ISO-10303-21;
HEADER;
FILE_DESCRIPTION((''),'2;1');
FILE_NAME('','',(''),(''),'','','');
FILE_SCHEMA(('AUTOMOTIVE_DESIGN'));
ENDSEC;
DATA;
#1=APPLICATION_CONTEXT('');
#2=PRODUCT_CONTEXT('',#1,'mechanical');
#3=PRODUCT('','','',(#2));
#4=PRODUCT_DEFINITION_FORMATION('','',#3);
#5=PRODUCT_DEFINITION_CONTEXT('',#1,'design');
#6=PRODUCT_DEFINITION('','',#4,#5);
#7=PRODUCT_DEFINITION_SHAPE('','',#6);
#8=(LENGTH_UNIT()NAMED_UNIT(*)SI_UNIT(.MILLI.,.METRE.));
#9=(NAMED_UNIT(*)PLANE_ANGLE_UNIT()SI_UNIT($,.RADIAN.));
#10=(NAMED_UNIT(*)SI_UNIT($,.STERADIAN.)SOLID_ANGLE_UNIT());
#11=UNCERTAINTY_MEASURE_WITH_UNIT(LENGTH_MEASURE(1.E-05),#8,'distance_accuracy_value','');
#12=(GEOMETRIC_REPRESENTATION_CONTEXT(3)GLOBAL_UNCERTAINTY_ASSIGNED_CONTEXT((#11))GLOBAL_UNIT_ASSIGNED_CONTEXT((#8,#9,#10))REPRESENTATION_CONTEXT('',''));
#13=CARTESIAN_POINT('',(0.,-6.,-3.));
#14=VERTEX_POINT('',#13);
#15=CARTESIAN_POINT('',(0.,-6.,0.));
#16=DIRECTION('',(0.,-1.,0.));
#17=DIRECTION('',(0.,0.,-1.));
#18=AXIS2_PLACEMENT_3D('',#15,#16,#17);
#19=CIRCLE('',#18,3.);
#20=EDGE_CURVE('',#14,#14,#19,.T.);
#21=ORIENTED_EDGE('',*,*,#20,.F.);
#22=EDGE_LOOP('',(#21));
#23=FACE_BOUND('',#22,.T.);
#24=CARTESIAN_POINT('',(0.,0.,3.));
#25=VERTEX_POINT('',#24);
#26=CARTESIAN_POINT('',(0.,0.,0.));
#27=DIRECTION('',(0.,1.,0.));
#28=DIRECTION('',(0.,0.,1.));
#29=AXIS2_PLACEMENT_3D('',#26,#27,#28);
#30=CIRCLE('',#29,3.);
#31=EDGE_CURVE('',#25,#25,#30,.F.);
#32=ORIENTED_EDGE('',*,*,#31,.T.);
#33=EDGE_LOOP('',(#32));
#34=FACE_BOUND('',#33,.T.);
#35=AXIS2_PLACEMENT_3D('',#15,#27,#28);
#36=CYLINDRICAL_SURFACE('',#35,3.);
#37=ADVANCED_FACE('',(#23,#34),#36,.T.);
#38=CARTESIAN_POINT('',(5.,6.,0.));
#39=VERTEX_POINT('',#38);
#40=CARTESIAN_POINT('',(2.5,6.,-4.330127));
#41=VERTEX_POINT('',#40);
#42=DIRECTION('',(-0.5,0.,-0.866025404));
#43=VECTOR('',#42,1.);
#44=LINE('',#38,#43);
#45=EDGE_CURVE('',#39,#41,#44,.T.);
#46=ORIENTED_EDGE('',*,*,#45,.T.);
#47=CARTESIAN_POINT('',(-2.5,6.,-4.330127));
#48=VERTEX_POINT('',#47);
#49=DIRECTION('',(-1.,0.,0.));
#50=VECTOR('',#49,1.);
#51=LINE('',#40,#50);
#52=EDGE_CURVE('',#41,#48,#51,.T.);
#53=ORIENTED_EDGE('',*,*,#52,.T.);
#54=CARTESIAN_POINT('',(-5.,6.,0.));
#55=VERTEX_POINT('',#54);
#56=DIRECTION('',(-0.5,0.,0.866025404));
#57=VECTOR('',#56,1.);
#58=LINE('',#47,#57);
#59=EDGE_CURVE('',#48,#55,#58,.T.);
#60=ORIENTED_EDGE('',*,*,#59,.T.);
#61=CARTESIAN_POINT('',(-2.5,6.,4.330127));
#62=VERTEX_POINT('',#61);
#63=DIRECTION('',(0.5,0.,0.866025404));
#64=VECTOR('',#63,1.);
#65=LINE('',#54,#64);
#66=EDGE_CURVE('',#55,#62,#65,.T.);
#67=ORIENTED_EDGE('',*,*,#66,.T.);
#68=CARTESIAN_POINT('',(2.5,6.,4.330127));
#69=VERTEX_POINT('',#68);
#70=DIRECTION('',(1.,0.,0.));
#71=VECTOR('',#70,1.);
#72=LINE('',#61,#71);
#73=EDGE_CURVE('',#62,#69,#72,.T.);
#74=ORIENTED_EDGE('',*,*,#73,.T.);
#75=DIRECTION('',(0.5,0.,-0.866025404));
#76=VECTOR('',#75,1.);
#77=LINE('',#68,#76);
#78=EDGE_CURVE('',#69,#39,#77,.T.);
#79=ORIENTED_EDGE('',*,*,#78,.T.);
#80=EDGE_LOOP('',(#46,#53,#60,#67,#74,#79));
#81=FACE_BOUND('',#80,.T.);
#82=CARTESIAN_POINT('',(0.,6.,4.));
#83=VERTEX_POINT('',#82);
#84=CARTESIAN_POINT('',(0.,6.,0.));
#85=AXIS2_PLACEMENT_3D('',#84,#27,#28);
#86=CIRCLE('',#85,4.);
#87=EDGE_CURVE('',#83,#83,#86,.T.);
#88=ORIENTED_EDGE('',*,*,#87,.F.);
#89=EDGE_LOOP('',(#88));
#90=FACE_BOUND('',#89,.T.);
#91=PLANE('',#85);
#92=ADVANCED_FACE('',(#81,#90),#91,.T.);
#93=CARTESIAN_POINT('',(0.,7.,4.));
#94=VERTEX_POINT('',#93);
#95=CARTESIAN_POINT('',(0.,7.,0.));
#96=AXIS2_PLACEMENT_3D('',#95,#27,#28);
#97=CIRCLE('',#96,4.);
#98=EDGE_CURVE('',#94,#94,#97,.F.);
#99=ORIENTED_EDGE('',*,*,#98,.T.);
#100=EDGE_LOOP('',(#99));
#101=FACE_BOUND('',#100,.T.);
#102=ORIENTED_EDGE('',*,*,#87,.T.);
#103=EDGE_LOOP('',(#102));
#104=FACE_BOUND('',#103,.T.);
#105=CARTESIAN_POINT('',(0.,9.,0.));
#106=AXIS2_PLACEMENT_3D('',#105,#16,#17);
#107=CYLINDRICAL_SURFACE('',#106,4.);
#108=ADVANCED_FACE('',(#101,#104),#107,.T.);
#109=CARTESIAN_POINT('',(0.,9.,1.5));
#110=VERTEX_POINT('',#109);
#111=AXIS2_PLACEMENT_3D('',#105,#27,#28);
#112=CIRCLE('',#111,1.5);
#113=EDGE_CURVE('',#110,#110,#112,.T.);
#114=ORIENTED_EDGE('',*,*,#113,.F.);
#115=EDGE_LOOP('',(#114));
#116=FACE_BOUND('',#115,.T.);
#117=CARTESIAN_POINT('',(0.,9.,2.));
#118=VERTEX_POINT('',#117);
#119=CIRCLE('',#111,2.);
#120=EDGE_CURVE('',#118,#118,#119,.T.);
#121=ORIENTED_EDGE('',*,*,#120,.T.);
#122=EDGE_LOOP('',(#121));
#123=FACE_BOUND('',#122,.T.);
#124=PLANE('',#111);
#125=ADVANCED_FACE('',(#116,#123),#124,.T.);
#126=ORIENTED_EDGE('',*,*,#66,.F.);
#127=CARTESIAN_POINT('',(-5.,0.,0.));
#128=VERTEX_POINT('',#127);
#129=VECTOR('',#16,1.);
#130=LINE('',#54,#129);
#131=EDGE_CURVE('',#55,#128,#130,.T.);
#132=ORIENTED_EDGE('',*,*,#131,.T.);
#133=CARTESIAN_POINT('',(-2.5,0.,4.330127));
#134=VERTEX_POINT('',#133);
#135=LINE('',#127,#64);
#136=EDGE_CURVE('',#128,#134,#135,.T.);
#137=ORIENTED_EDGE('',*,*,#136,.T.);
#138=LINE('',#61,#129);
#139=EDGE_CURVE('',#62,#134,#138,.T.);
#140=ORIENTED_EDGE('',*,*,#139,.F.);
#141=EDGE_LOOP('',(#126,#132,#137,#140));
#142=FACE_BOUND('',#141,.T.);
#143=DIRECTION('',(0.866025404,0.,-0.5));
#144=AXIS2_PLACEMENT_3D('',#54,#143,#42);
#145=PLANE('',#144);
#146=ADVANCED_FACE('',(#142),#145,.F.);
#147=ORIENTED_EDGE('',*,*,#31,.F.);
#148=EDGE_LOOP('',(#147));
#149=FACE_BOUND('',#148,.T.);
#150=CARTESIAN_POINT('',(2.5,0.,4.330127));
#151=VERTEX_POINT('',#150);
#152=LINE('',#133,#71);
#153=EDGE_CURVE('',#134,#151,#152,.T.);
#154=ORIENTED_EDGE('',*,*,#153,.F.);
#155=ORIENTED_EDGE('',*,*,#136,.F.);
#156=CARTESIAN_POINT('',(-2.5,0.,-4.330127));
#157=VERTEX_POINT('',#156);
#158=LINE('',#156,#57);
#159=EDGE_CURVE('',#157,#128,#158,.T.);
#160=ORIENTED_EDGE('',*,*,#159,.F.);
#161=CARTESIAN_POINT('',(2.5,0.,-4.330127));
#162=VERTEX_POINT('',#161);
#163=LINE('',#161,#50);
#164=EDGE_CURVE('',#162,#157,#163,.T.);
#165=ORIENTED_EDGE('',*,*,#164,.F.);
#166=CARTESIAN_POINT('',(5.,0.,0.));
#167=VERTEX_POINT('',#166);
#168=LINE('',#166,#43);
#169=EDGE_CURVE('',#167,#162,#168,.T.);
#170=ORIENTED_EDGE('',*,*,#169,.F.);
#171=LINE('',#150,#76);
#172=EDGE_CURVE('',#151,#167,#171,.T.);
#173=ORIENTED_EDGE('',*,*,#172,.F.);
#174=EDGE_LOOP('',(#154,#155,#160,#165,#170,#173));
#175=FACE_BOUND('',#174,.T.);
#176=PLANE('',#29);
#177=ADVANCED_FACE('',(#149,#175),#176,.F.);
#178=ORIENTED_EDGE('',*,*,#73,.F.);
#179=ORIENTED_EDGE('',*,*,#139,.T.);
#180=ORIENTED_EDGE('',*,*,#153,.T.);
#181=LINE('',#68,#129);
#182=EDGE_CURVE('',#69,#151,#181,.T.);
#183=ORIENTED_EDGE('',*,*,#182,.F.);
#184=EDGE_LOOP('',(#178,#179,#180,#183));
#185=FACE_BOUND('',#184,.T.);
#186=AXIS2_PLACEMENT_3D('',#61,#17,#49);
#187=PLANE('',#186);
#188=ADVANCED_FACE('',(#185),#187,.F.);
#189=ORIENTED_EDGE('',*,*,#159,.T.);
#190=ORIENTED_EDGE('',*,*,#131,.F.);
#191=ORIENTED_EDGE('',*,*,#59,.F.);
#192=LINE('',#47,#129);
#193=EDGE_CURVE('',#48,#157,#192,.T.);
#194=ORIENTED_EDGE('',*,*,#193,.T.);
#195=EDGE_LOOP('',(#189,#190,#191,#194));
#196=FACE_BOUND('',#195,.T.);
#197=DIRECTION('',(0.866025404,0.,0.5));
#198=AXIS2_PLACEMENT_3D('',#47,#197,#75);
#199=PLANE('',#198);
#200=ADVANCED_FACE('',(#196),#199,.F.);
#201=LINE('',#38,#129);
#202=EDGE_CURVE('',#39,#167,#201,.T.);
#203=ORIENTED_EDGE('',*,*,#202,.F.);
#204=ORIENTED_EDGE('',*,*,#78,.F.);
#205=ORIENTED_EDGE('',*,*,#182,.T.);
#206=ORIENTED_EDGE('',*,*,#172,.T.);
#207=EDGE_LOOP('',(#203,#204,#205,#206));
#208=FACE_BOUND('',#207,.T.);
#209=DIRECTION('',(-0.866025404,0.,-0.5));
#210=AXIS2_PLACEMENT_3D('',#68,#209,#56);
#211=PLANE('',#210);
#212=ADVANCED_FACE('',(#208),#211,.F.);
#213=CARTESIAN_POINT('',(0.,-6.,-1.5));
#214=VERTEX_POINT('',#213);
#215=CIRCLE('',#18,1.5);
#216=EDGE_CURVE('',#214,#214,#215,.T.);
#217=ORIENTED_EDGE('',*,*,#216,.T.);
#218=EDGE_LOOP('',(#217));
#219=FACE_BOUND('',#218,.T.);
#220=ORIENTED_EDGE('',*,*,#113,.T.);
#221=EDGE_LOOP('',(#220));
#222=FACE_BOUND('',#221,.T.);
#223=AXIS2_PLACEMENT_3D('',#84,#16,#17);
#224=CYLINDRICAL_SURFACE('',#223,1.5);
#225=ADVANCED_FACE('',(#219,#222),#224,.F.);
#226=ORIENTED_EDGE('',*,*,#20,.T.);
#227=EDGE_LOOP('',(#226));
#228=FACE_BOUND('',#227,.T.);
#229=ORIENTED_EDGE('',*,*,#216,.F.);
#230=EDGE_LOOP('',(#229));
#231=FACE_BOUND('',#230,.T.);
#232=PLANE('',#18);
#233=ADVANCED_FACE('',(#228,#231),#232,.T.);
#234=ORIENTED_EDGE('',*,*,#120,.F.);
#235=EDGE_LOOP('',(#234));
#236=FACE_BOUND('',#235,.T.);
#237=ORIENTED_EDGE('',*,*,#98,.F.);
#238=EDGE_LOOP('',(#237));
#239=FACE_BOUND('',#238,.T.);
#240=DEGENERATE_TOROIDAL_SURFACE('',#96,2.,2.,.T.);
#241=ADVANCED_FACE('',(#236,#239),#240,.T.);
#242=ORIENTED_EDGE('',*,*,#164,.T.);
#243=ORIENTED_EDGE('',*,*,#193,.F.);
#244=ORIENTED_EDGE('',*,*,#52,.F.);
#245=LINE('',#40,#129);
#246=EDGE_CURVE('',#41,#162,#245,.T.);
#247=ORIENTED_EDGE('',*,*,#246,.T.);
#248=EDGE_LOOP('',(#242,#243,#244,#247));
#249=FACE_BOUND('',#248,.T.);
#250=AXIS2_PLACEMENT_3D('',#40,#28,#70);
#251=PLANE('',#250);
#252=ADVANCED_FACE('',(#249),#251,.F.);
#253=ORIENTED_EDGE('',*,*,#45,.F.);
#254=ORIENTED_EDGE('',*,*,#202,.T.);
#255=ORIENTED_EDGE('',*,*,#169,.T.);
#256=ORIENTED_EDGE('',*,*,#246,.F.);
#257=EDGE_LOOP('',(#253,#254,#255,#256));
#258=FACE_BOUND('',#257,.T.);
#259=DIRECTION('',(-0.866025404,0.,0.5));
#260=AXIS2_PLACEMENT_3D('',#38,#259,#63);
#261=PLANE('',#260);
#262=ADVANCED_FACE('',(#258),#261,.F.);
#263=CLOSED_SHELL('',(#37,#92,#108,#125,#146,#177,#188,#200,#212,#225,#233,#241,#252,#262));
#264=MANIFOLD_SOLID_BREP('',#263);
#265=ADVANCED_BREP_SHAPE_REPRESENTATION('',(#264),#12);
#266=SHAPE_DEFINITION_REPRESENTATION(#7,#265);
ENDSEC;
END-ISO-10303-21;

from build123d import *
from build123d.topology import SkipClean

# Parameters (mm, degrees)
SKETCH2_R           = 1.5
BOSS_EXTRUDE1_DEPTH = 6
SKETCH3_R           = 4
SKETCH3_R_2         = 1.5
BOSS_EXTRUDE2_DEPTH = 3
FILLET1_R           = 2
BOSS_EXTRUDE3_START = 6
SKETCH4_R           = 3
SKETCH4_R_2         = 1.5
BOSS_EXTRUDE3_DEPTH = 6


with BuildPart() as part:
    # Sketch2 → Boss-Extrude1 (new body)
    with BuildSketch(Plane(origin=(0, 0, 0), x_dir=(1, 0, 0), z_dir=(0, 1, 0))):
        Polygon((5, 0), (2.5, 4.330127019), (-2.5, 4.330127019), (-5, 0), (-2.5, -4.330127019), (2.5, -4.330127019), align=None)
        with Locations(Location((0, 0, 0), (0, 0, 270))):
            Circle(SKETCH2_R, mode=Mode.SUBTRACT)
    extrude(amount=BOSS_EXTRUDE1_DEPTH)

    # Sketch3 → Boss-Extrude2 (add)
    with BuildSketch(Plane(origin=(0, 6, 0), x_dir=(1, 0, 0), z_dir=(0, 1, 0))):
        with Locations(Location((0, 0, 0), (0, 0, 270))):
            Circle(SKETCH3_R)
        with Locations(Location((0, 0, 0), (0, 0, 270))):
            Circle(SKETCH3_R_2, mode=Mode.SUBTRACT)
    extrude(amount=BOSS_EXTRUDE2_DEPTH)

    # Fillet1
    fillet1_edges = [part.edges().sort_by_distance(p)[0] for p in [
        (0, 9, -4),
    ]]
    fillet(fillet1_edges, radius=FILLET1_R)

    # Sketch4 → Boss-Extrude3 (add)
    with SkipClean():  # the faces are left unmerged after this step: merging them gives an invalid solid
        with BuildSketch(Plane.XZ.offset(BOSS_EXTRUDE3_START)):
            with Locations(Location((0, 0, 0), (0, 0, 90))):
                Circle(SKETCH4_R)
            with Locations(Location((0, 0, 0), (0, 0, 270))):
                Circle(SKETCH4_R_2, mode=Mode.SUBTRACT)
        extrude(amount=-BOSS_EXTRUDE3_DEPTH)


solid = part.part
